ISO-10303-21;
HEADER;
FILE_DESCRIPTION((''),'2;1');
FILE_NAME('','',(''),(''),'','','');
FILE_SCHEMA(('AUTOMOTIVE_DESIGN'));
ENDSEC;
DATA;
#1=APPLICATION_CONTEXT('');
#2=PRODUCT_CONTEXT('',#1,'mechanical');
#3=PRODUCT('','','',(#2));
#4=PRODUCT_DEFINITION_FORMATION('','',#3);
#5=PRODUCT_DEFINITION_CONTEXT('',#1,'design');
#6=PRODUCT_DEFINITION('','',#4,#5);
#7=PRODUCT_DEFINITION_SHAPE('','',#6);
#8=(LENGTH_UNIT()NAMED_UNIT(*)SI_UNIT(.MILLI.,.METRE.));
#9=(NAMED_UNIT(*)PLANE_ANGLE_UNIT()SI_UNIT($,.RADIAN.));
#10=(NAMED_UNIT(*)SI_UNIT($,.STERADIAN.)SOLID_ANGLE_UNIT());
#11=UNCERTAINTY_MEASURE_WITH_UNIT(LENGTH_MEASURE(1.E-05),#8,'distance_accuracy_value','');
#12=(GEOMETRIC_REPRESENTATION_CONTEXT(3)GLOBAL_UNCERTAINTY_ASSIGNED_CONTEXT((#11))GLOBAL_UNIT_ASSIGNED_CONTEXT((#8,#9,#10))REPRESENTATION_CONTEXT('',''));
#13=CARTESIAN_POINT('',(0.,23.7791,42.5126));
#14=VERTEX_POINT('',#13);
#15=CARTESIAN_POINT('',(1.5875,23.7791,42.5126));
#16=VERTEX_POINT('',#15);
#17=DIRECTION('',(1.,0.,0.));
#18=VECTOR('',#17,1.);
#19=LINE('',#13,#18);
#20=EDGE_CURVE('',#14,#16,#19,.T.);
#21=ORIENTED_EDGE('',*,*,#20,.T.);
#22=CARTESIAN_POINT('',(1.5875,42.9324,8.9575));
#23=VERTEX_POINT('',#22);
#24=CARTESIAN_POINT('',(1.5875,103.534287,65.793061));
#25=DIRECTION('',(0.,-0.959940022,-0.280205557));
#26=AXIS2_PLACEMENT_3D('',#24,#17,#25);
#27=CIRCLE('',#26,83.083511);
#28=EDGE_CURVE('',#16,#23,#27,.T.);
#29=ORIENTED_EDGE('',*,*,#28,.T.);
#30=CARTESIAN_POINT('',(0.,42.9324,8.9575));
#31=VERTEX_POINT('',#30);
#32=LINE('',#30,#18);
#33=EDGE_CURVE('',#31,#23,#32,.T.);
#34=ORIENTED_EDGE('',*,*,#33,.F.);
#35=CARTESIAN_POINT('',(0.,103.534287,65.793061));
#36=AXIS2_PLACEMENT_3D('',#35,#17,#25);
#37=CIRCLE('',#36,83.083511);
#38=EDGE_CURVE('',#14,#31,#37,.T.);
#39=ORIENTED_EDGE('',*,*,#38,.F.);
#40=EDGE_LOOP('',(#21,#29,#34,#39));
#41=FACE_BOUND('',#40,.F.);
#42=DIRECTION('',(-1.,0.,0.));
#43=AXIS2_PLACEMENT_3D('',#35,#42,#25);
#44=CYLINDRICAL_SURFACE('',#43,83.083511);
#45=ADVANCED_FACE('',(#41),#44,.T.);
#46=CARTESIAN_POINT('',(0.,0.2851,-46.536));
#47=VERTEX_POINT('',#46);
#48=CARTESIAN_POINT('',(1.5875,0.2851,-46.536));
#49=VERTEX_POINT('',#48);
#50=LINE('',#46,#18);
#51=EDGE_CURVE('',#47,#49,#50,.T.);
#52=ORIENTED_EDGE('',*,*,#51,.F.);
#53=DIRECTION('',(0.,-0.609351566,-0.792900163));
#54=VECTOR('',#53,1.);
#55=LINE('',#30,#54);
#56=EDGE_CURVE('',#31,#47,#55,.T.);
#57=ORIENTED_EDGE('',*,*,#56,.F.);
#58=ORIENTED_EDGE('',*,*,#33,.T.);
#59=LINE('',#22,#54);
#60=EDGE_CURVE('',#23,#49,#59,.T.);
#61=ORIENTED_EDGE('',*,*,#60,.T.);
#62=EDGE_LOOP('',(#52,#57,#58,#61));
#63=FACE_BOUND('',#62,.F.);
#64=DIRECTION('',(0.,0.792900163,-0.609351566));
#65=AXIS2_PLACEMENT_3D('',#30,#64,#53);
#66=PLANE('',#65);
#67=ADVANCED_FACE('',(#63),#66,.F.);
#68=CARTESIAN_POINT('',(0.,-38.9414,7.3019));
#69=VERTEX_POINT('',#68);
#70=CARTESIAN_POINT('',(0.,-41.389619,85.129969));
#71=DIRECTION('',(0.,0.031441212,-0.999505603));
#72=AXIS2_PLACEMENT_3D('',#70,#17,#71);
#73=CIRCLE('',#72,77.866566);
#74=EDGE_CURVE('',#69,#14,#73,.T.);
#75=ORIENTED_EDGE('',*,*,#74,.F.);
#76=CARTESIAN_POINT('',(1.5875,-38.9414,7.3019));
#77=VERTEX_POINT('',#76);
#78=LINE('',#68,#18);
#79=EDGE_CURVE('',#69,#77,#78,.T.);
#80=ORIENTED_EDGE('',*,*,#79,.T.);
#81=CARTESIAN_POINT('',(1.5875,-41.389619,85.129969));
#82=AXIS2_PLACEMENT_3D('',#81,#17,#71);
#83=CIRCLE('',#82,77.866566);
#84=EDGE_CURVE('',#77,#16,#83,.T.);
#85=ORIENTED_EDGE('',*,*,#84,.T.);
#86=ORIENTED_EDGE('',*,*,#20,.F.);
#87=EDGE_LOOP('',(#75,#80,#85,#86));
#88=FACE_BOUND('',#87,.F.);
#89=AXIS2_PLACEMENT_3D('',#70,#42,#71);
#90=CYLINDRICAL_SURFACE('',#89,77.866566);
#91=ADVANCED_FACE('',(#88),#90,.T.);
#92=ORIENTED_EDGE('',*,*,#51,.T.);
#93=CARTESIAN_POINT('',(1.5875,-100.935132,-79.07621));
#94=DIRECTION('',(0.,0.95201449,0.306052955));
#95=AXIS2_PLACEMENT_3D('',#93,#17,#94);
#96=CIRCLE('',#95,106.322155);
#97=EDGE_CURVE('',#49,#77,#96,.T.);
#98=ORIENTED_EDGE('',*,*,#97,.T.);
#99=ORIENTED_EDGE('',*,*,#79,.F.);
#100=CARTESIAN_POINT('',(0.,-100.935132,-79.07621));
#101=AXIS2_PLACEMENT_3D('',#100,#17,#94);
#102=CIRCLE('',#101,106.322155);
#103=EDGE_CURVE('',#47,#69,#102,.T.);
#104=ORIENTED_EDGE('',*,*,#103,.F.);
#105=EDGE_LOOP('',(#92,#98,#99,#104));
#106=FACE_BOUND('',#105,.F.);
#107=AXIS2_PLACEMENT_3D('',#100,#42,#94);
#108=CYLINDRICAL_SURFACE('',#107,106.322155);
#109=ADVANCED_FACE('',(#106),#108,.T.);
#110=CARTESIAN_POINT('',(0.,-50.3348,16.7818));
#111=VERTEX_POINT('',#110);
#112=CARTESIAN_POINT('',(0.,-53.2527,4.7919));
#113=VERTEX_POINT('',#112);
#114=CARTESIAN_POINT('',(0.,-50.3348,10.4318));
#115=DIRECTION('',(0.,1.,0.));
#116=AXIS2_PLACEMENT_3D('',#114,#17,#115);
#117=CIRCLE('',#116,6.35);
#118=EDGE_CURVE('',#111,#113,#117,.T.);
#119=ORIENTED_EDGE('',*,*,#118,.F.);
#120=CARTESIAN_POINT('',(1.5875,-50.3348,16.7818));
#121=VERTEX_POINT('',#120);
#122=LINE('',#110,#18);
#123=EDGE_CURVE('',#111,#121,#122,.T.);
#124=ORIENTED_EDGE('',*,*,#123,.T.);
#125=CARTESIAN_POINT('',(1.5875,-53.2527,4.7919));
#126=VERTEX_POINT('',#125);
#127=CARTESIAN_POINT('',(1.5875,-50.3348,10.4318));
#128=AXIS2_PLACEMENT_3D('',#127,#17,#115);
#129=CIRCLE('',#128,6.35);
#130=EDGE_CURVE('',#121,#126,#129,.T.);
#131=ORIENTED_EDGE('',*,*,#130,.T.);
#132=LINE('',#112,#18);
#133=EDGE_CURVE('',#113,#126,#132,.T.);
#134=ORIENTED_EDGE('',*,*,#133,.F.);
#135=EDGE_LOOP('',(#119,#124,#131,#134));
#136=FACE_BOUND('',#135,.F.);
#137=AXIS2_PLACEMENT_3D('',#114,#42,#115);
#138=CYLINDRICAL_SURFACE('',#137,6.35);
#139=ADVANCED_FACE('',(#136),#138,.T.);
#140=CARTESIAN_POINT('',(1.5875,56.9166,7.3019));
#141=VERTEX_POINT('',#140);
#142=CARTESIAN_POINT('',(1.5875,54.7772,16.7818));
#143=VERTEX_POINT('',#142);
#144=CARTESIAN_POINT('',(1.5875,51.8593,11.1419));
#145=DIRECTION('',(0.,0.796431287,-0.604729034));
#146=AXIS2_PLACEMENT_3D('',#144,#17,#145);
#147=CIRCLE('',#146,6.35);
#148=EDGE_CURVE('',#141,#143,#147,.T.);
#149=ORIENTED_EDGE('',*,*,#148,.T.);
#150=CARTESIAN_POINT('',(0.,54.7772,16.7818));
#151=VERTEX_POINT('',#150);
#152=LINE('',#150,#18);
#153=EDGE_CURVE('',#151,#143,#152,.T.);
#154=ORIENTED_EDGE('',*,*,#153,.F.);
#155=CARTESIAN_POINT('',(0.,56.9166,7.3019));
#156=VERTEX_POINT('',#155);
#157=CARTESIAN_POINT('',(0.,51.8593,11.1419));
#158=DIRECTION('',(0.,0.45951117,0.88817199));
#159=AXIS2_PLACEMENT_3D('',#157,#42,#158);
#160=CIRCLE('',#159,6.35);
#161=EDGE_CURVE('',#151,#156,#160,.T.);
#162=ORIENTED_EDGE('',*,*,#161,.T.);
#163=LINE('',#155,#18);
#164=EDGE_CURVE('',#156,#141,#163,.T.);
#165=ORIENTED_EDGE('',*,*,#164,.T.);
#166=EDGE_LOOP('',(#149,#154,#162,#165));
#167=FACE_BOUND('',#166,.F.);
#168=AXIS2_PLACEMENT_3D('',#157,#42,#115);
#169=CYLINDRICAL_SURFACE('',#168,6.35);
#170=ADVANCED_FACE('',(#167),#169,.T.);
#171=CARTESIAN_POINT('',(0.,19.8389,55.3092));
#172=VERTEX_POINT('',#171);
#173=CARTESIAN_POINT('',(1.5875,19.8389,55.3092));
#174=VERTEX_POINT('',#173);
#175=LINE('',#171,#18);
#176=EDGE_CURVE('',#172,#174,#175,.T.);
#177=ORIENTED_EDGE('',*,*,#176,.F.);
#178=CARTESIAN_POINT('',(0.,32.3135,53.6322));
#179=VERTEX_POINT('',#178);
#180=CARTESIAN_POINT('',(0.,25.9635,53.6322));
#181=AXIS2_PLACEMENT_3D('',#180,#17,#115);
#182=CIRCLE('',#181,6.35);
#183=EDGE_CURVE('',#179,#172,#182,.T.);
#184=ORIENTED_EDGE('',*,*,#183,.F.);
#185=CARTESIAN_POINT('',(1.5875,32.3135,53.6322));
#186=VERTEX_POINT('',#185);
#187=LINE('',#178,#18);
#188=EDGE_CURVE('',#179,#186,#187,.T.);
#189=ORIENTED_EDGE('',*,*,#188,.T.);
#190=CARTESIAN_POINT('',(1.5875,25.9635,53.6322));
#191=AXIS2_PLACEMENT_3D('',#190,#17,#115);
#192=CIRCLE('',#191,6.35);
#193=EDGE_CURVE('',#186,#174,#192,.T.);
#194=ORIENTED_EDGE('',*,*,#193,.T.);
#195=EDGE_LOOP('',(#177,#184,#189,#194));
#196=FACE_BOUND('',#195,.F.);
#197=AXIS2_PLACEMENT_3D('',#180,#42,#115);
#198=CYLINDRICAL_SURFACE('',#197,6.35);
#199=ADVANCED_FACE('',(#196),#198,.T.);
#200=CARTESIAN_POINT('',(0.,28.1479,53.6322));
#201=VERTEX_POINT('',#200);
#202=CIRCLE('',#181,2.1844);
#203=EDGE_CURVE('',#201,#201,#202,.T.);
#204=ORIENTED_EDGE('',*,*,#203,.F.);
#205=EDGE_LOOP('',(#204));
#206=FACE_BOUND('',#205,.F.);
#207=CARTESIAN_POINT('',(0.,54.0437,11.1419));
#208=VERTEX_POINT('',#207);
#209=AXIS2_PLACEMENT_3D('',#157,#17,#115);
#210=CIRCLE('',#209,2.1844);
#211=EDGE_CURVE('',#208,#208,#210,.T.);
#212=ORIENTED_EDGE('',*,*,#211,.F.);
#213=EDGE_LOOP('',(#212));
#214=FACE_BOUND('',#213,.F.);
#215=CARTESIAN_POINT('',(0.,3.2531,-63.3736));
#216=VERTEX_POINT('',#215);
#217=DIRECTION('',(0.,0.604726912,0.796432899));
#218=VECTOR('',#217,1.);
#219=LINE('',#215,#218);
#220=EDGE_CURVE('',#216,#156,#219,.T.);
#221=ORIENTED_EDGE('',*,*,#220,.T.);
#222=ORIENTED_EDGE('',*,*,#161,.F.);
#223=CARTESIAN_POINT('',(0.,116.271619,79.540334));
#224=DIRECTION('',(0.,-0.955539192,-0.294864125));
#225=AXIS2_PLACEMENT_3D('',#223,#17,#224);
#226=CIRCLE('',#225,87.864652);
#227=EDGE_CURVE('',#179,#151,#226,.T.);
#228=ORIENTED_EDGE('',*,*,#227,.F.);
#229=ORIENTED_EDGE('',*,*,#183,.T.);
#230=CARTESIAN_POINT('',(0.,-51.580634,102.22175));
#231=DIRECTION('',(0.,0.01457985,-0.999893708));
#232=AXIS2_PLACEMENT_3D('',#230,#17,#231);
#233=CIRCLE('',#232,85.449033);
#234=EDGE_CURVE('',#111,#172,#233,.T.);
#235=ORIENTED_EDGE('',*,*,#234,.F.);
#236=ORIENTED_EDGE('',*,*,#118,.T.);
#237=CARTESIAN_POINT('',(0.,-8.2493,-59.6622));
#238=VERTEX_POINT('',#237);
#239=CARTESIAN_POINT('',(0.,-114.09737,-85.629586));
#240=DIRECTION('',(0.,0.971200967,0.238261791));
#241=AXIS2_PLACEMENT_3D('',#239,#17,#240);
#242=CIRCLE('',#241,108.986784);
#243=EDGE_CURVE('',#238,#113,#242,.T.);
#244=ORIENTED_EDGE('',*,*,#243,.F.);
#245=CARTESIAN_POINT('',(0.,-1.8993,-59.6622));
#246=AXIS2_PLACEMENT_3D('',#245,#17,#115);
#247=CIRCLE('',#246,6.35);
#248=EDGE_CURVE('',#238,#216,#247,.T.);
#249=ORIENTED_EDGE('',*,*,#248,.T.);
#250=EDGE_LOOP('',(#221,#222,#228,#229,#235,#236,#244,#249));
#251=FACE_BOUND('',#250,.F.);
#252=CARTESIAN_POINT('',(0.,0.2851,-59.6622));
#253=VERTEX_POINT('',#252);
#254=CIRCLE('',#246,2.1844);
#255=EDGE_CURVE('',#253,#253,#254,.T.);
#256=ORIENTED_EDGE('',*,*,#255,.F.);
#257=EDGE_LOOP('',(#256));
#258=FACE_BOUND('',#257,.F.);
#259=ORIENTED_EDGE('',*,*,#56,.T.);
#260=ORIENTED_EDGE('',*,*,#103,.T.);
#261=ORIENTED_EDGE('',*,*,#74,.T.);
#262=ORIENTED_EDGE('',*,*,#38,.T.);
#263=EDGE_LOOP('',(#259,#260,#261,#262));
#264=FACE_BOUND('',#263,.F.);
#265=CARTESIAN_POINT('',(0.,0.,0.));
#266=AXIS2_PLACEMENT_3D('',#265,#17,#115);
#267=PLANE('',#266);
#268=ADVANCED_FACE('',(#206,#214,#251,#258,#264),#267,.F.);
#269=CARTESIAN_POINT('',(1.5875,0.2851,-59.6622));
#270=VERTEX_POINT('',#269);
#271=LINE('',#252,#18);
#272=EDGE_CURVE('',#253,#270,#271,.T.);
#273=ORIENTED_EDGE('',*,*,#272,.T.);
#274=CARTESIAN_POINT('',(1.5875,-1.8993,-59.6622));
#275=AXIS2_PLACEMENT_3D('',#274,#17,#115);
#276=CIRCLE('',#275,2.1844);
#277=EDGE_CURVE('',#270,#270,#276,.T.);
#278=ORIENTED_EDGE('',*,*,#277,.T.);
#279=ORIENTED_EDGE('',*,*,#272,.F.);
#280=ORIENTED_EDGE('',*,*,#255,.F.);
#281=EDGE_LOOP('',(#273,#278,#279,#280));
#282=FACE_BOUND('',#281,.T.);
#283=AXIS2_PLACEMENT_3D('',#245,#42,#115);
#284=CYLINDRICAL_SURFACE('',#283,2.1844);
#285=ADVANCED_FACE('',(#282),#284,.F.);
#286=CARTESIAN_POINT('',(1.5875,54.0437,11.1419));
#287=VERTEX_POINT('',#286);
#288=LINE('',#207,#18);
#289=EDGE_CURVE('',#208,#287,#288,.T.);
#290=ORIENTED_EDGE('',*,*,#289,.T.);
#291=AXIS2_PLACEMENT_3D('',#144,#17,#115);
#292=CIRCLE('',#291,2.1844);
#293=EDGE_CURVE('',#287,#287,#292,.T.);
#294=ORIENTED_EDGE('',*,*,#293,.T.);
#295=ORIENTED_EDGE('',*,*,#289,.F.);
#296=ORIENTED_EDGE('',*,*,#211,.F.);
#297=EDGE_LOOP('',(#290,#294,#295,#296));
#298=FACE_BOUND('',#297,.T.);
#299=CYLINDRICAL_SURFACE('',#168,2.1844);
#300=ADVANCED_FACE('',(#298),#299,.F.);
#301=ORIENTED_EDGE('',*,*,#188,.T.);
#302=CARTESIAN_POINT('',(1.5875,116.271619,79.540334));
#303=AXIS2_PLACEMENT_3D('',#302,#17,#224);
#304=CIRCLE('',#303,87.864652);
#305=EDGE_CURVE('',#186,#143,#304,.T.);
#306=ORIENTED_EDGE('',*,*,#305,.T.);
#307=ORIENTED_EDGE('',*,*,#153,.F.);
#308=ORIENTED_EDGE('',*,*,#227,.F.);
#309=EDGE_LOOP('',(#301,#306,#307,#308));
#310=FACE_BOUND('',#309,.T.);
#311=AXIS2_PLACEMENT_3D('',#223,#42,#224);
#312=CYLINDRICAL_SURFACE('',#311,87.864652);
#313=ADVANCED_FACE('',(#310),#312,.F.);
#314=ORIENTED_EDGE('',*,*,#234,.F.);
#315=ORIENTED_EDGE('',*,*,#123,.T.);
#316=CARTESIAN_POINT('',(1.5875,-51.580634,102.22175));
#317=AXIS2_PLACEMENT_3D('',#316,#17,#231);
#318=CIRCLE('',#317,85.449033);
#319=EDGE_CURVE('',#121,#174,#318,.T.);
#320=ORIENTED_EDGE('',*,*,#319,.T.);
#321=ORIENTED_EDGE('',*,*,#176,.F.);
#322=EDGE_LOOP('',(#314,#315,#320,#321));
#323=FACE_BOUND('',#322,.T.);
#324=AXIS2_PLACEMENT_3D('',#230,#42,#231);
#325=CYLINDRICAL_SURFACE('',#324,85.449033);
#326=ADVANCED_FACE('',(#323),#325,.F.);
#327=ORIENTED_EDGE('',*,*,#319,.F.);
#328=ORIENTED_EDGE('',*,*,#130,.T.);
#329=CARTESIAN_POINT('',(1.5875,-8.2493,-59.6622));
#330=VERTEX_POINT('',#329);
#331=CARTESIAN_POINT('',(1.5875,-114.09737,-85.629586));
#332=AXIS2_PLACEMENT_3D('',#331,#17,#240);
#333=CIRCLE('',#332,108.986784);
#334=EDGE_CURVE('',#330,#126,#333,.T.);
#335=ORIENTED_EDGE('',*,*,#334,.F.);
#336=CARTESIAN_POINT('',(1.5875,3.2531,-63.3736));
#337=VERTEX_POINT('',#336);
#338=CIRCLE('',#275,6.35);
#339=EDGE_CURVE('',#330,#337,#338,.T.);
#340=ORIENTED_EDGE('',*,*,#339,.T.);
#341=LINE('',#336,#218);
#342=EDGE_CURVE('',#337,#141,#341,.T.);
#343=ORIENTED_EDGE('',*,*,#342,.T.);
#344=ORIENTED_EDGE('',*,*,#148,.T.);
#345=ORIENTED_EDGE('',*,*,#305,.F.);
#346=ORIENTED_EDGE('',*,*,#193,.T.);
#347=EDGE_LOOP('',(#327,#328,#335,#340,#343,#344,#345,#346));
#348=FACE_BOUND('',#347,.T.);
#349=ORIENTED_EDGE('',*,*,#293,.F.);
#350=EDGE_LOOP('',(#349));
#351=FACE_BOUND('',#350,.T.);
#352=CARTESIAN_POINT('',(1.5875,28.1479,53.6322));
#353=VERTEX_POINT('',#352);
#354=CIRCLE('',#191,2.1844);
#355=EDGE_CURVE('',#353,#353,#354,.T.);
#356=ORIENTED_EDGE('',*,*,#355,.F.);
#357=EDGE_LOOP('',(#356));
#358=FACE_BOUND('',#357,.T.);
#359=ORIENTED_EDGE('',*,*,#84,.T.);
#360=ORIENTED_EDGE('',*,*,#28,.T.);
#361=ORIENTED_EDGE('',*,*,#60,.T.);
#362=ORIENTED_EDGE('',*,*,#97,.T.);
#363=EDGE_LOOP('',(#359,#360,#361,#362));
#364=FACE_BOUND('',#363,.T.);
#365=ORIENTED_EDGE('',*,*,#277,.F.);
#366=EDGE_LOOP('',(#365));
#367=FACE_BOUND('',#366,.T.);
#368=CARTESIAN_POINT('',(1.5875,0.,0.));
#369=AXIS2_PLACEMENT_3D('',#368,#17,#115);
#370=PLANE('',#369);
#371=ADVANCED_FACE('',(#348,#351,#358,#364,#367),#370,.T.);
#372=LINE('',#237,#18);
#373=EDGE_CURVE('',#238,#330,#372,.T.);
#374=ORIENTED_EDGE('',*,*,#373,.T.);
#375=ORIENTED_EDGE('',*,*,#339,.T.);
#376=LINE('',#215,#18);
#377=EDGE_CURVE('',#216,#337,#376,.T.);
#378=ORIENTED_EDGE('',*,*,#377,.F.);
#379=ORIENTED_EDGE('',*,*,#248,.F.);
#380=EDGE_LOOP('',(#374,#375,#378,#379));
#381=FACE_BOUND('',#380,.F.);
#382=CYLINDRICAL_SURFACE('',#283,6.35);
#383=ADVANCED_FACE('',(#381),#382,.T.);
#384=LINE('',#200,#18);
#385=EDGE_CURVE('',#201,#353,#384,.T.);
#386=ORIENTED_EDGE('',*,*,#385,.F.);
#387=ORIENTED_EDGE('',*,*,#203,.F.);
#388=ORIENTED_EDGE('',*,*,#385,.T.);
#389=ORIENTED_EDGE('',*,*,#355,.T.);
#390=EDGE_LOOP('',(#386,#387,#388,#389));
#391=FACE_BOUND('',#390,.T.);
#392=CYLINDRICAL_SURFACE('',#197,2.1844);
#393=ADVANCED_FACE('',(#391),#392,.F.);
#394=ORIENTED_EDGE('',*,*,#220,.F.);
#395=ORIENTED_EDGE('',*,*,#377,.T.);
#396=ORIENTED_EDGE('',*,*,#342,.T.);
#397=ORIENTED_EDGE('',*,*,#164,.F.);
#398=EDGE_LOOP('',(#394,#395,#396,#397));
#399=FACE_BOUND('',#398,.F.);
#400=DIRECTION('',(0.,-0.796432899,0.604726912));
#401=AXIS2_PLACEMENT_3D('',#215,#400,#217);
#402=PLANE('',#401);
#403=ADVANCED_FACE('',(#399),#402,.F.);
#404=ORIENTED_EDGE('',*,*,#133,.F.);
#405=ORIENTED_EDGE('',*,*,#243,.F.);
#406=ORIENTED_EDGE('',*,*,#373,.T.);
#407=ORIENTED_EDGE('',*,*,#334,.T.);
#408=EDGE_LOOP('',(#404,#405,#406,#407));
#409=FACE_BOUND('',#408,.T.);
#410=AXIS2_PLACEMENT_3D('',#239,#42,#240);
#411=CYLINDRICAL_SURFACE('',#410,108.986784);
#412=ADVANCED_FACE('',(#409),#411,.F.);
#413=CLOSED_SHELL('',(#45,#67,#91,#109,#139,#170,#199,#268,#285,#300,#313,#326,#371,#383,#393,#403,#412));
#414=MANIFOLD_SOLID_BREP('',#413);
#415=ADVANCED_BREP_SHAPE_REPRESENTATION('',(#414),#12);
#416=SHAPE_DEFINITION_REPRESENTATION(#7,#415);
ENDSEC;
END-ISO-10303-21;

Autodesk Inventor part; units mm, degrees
ref_plane "YZ Plane" through (0, 0, 0) normal (1, 0, 0) x (0, 1, 0)
ref_plane "XZ Plane" through (0, 0, 0) normal (0, 1, 0) x (-1, 0, 0)
ref_plane "XY Plane" through (0, 0, 0) normal (0, 0, 1) x (1, 0, 0)
sketch "Sketch1" plane through (0, 0, 0) normal (1, 0, 0) x (0, 1, 0)
  circle A0 centre (-50.3348, 10.4318) radius 6.35
  circle A1 centre (25.9635, 53.6322) radius 2.1844
  circle A2 centre (51.8593, 11.1419) radius 2.1844
  circle A3 centre (-1.8993, -59.6622) radius 2.1844
  arc A4 (-31.4874, -97.6281) -> (-30.8803, -97.2439) centre (-31.376, -97.1325) ccw
  line L0 (-31.4874, -97.6281) -> (-35.0063, -96.8369)
  arc A5 (-29.1899, -99.915) -> (-29.797, -100.2992) centre (-29.3014, -100.4107) ccw
  arc A6 (-31.4874, -97.6281) -> (-30.8803, -97.2439) centre (-31.376, -97.1325) ccw
  line L1 (-35.0063, -96.8369) -> (-31.4874, -97.6281)
  arc A7 (-37.6774, -98.5273) -> (-38.0616, -97.9203) centre (-38.1731, -98.4159) ccw
  line L2 (-38.0616, -97.9203) -> (-39.8211, -97.5246)
  arc A8 (-29.1899, -99.915) -> (-29.797, -100.2992) centre (-29.3014, -100.4107) ccw
  arc A9 (-37.6774, -98.5273) -> (-38.0616, -97.9203) centre (-38.1731, -98.4159) ccw
  line L3 (-39.8211, -97.5246) -> (-38.0616, -97.9203)
  line L4 (-39.8211, -97.5246) -> (-38.0616, -97.9203)
  arc A10 (-29.1899, -99.915) -> (-29.797, -100.2992) centre (-29.3014, -100.4107) ccw
  arc A11 (-37.6774, -98.5273) -> (-38.0616, -97.9203) centre (-38.1731, -98.4159) ccw
  arc A12 (-29.1899, -99.915) -> (-29.797, -100.2992) centre (-29.3014, -100.4107) ccw
  arc A13 (-31.4874, -97.6281) -> (-30.8803, -97.2439) centre (-31.376, -97.1325) ccw
  line L5 (-31.4874, -97.6281) -> (-35.0063, -96.8369)
  arc A14 (-37.6774, -98.5273) -> (-38.0616, -97.9203) centre (-38.1731, -98.4159) ccw
  line L6 (-38.0616, -97.9203) -> (-39.8211, -97.5246)
  arc A15 (-31.4874, -97.6281) -> (-30.8803, -97.2439) centre (-31.376, -97.1325) ccw
  line L7 (-35.0063, -96.8369) -> (-31.4874, -97.6281)
  circle A16 centre (25.9635, 53.6322) radius 6.35
  circle A17 centre (51.8593, 11.1419) radius 6.35
  circle A18 centre (-1.8993, -59.6622) radius 6.35
  arc A19 (-50.3348, 16.7818) -> (19.8389, 55.3092) centre (-51.5807, 102.222) ccw
  arc A20 (32.3135, 53.6322) -> (54.7772, 16.7818) centre (116.2711, 79.5401) ccw
  arc A21 (-8.2493, -59.6622) -> (-53.2527, 4.7919) centre (-114.0974, -85.6296) ccw
  line L8 (3.2531, -63.3736) -> (56.9166, 7.3019)
  arc A22 (-38.9414, 7.3019) -> (23.7791, 42.5126) centre (-41.3896, 85.1299) ccw
  arc A23 (23.7791, 42.5126) -> (42.9324, 8.9575) centre (103.5332, 65.7926) ccw
  line L9 (42.9324, 8.9575) -> (0.2851, -46.536)
  arc A24 (0.2851, -46.536) -> (-38.9414, 7.3019) centre (-100.9359, -79.0766) ccw
  point P0 (0, 0)
  dimension "d0" = 12.7
  dimension "d1" = 12.7
  dimension "d2" = 12.7
  dimension "d3" = 12.7
extrude "Extrusion1" add sketch "Sketch1" along normal blind 1.5875
properties part number "ringblockerv2"
